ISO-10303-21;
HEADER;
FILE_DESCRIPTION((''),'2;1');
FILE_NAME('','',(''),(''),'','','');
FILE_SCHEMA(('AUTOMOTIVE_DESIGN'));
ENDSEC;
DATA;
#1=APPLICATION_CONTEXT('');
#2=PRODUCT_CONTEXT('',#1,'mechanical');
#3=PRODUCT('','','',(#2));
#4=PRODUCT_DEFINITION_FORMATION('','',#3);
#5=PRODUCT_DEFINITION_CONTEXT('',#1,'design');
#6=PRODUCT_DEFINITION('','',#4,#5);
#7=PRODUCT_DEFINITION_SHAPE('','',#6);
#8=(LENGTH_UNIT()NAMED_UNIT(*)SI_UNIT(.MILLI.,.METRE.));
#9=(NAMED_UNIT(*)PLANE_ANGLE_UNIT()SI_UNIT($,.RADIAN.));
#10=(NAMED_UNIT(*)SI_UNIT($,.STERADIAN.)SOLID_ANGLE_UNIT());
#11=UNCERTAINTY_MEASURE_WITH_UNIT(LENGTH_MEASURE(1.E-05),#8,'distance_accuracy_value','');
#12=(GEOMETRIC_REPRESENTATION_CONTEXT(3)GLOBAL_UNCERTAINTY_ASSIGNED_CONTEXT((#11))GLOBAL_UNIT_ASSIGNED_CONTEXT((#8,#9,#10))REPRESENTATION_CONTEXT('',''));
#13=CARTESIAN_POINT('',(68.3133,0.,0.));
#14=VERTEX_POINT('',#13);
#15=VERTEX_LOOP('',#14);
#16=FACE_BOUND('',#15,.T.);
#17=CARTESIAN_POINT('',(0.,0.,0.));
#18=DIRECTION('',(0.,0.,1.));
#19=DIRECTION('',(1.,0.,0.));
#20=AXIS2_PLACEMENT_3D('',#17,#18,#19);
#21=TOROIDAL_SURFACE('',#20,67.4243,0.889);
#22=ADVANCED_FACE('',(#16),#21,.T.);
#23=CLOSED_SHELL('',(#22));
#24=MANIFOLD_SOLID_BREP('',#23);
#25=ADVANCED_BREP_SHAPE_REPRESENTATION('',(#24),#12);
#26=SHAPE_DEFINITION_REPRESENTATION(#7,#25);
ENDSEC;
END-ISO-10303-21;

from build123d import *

# Parameters (mm, degrees)
SKETCH1_R = 0.889


with BuildPart() as part:
    # Sketch1 → Revolve1 (revolve)
    with BuildSketch(Plane(origin=(0, 0, 0), x_dir=(0, -1, 0), z_dir=(1, 0, 0))):
        with Locations((67.4243, 0)):
            Circle(SKETCH1_R)
    revolve(axis=Axis((0, 0, 0.889), (0, 0, -1)))


solid = part.part
